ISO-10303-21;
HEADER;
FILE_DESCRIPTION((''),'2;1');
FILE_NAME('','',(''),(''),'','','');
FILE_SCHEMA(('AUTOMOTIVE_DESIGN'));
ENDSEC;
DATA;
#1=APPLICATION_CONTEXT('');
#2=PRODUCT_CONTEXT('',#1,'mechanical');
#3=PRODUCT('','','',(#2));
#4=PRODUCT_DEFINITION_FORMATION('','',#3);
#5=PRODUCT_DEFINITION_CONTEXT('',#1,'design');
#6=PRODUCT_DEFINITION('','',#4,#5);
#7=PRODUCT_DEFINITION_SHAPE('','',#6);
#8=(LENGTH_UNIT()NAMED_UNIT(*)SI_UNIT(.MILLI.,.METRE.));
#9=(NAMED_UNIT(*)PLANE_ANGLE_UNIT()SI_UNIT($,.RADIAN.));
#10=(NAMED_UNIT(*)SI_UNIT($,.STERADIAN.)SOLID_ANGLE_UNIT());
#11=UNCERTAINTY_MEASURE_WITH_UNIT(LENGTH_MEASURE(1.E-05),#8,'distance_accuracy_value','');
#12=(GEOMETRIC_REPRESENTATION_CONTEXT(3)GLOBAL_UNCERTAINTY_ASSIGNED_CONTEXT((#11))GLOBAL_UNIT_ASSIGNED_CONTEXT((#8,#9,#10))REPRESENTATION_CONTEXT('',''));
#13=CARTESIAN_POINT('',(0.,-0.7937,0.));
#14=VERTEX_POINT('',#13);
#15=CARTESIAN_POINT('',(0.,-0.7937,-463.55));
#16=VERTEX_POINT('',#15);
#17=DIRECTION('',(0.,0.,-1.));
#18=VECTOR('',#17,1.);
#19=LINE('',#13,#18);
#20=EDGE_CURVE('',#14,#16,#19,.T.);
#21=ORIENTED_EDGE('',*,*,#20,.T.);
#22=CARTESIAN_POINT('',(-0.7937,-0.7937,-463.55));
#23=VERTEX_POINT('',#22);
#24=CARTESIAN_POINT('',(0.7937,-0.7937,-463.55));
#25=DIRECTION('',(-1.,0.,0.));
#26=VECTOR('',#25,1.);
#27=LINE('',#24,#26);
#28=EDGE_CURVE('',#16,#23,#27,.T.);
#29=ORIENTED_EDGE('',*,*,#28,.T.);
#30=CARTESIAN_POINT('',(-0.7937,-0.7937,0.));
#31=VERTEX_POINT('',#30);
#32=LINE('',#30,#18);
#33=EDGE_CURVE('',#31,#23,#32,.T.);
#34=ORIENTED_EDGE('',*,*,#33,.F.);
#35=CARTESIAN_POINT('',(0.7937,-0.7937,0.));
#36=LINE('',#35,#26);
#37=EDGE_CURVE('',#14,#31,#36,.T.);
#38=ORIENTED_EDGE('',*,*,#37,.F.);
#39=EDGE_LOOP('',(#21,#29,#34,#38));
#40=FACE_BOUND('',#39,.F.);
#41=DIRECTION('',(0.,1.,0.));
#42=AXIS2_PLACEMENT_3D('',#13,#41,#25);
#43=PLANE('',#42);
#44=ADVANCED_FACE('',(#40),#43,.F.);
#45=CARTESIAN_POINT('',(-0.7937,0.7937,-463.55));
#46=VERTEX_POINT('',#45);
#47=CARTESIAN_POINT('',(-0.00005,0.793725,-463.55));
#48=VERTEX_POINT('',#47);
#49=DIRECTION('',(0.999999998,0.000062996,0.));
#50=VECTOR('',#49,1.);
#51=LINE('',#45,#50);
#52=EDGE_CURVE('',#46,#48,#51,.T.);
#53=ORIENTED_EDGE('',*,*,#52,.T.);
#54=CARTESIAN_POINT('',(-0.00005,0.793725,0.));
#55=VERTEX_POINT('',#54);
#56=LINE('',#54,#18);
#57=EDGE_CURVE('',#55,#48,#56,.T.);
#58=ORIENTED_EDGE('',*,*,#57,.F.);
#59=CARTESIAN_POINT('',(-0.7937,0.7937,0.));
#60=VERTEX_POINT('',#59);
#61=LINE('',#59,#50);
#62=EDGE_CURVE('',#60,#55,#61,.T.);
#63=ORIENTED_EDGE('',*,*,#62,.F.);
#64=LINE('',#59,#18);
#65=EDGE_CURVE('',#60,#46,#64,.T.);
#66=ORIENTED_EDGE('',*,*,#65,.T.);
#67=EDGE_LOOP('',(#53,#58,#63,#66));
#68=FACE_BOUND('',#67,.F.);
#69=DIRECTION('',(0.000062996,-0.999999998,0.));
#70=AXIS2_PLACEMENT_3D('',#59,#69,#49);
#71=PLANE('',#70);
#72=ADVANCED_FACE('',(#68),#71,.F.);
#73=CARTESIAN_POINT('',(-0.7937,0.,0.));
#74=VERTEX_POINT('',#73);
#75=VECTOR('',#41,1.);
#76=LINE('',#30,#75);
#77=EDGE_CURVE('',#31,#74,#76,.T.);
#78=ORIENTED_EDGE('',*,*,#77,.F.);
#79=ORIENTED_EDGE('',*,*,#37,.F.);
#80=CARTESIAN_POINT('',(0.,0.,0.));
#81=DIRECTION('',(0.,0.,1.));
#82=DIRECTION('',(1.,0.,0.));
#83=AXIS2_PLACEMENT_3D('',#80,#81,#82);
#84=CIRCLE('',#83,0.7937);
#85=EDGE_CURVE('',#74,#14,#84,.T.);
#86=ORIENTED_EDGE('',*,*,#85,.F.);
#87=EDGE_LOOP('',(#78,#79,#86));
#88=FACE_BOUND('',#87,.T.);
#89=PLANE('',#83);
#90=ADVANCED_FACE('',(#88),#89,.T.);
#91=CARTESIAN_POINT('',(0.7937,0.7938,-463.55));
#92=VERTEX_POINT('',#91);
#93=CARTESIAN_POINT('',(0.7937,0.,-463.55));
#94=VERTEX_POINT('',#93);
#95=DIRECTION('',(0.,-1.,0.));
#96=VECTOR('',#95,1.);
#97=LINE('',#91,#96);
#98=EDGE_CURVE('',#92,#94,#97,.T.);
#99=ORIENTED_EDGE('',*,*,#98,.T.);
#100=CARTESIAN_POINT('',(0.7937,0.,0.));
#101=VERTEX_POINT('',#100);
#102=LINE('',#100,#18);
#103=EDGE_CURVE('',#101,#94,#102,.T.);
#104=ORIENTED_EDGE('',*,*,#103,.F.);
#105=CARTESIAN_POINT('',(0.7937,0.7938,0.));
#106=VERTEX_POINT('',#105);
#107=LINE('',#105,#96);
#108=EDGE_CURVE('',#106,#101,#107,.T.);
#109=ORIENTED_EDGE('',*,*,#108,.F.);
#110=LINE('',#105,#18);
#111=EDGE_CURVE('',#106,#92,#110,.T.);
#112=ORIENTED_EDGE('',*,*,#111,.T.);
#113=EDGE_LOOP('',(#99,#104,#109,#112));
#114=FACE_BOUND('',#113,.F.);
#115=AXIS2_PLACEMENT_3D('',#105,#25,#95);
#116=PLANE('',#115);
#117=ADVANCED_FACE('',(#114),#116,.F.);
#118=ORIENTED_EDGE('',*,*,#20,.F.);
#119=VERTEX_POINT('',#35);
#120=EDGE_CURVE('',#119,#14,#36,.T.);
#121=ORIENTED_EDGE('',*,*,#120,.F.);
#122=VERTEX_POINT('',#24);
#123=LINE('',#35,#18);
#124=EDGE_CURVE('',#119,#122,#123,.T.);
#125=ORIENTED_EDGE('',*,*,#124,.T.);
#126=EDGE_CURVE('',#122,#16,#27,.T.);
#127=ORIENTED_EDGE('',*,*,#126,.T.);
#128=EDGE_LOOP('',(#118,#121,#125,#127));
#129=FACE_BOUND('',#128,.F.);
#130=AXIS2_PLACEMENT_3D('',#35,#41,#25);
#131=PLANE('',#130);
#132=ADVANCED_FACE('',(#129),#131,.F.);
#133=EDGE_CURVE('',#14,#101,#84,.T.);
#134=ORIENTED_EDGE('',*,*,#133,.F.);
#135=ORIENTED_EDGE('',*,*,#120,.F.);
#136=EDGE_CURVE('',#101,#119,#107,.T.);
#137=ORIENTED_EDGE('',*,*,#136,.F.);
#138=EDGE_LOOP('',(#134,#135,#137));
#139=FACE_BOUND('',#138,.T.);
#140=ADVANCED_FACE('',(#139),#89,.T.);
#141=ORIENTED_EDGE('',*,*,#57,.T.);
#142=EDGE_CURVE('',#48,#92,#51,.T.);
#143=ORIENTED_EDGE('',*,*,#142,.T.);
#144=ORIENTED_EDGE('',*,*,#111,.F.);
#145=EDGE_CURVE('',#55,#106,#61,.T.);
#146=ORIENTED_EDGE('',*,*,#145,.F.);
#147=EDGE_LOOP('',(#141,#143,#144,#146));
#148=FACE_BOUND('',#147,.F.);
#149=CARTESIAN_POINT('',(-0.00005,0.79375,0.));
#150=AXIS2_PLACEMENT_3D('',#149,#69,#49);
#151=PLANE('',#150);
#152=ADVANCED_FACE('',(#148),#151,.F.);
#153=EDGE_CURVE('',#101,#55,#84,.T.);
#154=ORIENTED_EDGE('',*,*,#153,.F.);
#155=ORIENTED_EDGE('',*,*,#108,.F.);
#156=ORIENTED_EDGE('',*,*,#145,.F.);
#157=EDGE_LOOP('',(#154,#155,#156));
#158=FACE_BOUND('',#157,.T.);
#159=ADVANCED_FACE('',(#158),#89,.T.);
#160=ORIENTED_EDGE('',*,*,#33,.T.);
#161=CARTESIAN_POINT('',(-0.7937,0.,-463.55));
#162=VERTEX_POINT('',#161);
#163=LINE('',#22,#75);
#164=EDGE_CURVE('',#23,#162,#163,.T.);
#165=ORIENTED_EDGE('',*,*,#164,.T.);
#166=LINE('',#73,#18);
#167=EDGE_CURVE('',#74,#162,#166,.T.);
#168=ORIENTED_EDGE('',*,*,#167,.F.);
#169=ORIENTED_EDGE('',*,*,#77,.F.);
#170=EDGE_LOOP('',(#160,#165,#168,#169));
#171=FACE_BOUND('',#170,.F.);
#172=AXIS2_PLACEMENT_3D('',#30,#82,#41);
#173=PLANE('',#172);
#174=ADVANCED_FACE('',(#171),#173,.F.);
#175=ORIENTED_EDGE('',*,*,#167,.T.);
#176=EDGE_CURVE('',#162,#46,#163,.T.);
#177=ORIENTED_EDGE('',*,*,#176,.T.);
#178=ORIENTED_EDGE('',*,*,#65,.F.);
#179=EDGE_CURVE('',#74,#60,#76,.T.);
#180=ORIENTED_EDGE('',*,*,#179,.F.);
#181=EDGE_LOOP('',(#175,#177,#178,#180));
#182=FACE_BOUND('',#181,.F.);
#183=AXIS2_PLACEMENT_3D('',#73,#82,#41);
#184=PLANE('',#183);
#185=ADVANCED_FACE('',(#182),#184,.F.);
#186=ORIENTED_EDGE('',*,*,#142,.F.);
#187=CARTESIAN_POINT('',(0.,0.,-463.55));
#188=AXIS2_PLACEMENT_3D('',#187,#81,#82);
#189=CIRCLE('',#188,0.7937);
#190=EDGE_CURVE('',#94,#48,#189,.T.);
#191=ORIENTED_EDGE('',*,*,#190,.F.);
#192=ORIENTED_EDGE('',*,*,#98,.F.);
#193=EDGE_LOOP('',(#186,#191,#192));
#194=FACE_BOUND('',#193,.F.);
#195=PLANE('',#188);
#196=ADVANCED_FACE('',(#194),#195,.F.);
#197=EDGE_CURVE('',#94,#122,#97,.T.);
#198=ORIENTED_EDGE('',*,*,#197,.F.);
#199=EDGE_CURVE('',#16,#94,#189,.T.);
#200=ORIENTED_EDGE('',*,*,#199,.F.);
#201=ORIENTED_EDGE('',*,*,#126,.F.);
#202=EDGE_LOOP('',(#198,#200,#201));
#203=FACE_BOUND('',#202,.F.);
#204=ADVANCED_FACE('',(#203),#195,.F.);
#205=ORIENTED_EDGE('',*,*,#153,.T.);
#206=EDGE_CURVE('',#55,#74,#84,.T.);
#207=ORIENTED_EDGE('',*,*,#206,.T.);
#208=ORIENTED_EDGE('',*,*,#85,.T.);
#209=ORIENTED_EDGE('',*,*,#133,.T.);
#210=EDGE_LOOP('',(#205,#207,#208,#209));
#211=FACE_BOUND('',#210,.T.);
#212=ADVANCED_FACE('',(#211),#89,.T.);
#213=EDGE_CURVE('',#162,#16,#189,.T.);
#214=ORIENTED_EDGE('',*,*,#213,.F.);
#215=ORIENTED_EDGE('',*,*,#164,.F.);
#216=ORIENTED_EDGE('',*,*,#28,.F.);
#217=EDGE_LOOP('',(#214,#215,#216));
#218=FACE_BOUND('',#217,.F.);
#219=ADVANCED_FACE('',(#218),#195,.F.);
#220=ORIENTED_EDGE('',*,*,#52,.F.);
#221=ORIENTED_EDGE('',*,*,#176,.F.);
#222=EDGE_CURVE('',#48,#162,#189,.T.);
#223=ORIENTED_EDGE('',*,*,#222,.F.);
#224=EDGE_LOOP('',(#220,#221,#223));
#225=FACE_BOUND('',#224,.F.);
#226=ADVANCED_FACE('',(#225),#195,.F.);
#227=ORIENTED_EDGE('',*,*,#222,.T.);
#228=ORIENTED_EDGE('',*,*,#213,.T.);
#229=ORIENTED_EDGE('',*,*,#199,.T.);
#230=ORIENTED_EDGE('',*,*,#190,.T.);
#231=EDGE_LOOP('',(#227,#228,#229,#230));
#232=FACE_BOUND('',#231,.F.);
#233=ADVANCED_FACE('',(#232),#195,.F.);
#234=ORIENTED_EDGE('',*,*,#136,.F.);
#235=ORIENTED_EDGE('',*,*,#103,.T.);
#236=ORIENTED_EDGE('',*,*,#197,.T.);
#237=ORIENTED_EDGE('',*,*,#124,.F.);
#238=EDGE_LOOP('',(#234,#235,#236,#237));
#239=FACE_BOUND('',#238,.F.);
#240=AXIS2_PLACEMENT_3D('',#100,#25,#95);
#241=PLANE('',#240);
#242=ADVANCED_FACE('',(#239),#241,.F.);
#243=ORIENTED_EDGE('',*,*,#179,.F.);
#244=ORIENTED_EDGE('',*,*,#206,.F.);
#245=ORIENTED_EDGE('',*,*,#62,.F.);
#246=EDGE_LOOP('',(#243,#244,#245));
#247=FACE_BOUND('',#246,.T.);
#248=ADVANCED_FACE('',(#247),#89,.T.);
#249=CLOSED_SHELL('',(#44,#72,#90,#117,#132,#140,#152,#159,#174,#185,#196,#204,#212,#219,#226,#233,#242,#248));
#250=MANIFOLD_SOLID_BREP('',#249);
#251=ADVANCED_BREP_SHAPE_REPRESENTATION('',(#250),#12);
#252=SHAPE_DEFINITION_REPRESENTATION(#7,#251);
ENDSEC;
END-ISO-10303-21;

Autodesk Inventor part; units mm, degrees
ref_plane "YZ Plane" through (0, 0, 0) normal (1, 0, 0) x (0, 1, 0)
ref_plane "XZ Plane" through (0, 0, 0) normal (0, 1, 0) x (-1, 0, 0)
ref_plane "XY Plane" through (0, 0, 0) normal (0, 0, 1) x (1, 0, 0)
sketch "Sketch1" plane through (0, 0, 0) normal (0, 0, 1) x (1, 0, 0)
  circle A0 centre (0, 0) radius 0.7937
  line L0 (-0.7937, 0.7937) -> (0.7937, 0.7938)
  line L1 (0.7937, 0.7938) -> (0.7937, -0.7937)
  line L2 (0.7937, -0.7937) -> (-0.7937, -0.7937)
  line L3 (-0.7937, -0.7937) -> (-0.7937, 0.7937)
  point P0 (-0.7937, 0)
  point P1 (0, -0.7937)
  point P2 (0, 0.7937)
  point P3 (0.7937, 0)
  dimension "d0" = 1.5875
extrude "Extrusion1" add sketch "Sketch1" against normal blind 463.55
properties part number "String" material "Stainless Steel"
